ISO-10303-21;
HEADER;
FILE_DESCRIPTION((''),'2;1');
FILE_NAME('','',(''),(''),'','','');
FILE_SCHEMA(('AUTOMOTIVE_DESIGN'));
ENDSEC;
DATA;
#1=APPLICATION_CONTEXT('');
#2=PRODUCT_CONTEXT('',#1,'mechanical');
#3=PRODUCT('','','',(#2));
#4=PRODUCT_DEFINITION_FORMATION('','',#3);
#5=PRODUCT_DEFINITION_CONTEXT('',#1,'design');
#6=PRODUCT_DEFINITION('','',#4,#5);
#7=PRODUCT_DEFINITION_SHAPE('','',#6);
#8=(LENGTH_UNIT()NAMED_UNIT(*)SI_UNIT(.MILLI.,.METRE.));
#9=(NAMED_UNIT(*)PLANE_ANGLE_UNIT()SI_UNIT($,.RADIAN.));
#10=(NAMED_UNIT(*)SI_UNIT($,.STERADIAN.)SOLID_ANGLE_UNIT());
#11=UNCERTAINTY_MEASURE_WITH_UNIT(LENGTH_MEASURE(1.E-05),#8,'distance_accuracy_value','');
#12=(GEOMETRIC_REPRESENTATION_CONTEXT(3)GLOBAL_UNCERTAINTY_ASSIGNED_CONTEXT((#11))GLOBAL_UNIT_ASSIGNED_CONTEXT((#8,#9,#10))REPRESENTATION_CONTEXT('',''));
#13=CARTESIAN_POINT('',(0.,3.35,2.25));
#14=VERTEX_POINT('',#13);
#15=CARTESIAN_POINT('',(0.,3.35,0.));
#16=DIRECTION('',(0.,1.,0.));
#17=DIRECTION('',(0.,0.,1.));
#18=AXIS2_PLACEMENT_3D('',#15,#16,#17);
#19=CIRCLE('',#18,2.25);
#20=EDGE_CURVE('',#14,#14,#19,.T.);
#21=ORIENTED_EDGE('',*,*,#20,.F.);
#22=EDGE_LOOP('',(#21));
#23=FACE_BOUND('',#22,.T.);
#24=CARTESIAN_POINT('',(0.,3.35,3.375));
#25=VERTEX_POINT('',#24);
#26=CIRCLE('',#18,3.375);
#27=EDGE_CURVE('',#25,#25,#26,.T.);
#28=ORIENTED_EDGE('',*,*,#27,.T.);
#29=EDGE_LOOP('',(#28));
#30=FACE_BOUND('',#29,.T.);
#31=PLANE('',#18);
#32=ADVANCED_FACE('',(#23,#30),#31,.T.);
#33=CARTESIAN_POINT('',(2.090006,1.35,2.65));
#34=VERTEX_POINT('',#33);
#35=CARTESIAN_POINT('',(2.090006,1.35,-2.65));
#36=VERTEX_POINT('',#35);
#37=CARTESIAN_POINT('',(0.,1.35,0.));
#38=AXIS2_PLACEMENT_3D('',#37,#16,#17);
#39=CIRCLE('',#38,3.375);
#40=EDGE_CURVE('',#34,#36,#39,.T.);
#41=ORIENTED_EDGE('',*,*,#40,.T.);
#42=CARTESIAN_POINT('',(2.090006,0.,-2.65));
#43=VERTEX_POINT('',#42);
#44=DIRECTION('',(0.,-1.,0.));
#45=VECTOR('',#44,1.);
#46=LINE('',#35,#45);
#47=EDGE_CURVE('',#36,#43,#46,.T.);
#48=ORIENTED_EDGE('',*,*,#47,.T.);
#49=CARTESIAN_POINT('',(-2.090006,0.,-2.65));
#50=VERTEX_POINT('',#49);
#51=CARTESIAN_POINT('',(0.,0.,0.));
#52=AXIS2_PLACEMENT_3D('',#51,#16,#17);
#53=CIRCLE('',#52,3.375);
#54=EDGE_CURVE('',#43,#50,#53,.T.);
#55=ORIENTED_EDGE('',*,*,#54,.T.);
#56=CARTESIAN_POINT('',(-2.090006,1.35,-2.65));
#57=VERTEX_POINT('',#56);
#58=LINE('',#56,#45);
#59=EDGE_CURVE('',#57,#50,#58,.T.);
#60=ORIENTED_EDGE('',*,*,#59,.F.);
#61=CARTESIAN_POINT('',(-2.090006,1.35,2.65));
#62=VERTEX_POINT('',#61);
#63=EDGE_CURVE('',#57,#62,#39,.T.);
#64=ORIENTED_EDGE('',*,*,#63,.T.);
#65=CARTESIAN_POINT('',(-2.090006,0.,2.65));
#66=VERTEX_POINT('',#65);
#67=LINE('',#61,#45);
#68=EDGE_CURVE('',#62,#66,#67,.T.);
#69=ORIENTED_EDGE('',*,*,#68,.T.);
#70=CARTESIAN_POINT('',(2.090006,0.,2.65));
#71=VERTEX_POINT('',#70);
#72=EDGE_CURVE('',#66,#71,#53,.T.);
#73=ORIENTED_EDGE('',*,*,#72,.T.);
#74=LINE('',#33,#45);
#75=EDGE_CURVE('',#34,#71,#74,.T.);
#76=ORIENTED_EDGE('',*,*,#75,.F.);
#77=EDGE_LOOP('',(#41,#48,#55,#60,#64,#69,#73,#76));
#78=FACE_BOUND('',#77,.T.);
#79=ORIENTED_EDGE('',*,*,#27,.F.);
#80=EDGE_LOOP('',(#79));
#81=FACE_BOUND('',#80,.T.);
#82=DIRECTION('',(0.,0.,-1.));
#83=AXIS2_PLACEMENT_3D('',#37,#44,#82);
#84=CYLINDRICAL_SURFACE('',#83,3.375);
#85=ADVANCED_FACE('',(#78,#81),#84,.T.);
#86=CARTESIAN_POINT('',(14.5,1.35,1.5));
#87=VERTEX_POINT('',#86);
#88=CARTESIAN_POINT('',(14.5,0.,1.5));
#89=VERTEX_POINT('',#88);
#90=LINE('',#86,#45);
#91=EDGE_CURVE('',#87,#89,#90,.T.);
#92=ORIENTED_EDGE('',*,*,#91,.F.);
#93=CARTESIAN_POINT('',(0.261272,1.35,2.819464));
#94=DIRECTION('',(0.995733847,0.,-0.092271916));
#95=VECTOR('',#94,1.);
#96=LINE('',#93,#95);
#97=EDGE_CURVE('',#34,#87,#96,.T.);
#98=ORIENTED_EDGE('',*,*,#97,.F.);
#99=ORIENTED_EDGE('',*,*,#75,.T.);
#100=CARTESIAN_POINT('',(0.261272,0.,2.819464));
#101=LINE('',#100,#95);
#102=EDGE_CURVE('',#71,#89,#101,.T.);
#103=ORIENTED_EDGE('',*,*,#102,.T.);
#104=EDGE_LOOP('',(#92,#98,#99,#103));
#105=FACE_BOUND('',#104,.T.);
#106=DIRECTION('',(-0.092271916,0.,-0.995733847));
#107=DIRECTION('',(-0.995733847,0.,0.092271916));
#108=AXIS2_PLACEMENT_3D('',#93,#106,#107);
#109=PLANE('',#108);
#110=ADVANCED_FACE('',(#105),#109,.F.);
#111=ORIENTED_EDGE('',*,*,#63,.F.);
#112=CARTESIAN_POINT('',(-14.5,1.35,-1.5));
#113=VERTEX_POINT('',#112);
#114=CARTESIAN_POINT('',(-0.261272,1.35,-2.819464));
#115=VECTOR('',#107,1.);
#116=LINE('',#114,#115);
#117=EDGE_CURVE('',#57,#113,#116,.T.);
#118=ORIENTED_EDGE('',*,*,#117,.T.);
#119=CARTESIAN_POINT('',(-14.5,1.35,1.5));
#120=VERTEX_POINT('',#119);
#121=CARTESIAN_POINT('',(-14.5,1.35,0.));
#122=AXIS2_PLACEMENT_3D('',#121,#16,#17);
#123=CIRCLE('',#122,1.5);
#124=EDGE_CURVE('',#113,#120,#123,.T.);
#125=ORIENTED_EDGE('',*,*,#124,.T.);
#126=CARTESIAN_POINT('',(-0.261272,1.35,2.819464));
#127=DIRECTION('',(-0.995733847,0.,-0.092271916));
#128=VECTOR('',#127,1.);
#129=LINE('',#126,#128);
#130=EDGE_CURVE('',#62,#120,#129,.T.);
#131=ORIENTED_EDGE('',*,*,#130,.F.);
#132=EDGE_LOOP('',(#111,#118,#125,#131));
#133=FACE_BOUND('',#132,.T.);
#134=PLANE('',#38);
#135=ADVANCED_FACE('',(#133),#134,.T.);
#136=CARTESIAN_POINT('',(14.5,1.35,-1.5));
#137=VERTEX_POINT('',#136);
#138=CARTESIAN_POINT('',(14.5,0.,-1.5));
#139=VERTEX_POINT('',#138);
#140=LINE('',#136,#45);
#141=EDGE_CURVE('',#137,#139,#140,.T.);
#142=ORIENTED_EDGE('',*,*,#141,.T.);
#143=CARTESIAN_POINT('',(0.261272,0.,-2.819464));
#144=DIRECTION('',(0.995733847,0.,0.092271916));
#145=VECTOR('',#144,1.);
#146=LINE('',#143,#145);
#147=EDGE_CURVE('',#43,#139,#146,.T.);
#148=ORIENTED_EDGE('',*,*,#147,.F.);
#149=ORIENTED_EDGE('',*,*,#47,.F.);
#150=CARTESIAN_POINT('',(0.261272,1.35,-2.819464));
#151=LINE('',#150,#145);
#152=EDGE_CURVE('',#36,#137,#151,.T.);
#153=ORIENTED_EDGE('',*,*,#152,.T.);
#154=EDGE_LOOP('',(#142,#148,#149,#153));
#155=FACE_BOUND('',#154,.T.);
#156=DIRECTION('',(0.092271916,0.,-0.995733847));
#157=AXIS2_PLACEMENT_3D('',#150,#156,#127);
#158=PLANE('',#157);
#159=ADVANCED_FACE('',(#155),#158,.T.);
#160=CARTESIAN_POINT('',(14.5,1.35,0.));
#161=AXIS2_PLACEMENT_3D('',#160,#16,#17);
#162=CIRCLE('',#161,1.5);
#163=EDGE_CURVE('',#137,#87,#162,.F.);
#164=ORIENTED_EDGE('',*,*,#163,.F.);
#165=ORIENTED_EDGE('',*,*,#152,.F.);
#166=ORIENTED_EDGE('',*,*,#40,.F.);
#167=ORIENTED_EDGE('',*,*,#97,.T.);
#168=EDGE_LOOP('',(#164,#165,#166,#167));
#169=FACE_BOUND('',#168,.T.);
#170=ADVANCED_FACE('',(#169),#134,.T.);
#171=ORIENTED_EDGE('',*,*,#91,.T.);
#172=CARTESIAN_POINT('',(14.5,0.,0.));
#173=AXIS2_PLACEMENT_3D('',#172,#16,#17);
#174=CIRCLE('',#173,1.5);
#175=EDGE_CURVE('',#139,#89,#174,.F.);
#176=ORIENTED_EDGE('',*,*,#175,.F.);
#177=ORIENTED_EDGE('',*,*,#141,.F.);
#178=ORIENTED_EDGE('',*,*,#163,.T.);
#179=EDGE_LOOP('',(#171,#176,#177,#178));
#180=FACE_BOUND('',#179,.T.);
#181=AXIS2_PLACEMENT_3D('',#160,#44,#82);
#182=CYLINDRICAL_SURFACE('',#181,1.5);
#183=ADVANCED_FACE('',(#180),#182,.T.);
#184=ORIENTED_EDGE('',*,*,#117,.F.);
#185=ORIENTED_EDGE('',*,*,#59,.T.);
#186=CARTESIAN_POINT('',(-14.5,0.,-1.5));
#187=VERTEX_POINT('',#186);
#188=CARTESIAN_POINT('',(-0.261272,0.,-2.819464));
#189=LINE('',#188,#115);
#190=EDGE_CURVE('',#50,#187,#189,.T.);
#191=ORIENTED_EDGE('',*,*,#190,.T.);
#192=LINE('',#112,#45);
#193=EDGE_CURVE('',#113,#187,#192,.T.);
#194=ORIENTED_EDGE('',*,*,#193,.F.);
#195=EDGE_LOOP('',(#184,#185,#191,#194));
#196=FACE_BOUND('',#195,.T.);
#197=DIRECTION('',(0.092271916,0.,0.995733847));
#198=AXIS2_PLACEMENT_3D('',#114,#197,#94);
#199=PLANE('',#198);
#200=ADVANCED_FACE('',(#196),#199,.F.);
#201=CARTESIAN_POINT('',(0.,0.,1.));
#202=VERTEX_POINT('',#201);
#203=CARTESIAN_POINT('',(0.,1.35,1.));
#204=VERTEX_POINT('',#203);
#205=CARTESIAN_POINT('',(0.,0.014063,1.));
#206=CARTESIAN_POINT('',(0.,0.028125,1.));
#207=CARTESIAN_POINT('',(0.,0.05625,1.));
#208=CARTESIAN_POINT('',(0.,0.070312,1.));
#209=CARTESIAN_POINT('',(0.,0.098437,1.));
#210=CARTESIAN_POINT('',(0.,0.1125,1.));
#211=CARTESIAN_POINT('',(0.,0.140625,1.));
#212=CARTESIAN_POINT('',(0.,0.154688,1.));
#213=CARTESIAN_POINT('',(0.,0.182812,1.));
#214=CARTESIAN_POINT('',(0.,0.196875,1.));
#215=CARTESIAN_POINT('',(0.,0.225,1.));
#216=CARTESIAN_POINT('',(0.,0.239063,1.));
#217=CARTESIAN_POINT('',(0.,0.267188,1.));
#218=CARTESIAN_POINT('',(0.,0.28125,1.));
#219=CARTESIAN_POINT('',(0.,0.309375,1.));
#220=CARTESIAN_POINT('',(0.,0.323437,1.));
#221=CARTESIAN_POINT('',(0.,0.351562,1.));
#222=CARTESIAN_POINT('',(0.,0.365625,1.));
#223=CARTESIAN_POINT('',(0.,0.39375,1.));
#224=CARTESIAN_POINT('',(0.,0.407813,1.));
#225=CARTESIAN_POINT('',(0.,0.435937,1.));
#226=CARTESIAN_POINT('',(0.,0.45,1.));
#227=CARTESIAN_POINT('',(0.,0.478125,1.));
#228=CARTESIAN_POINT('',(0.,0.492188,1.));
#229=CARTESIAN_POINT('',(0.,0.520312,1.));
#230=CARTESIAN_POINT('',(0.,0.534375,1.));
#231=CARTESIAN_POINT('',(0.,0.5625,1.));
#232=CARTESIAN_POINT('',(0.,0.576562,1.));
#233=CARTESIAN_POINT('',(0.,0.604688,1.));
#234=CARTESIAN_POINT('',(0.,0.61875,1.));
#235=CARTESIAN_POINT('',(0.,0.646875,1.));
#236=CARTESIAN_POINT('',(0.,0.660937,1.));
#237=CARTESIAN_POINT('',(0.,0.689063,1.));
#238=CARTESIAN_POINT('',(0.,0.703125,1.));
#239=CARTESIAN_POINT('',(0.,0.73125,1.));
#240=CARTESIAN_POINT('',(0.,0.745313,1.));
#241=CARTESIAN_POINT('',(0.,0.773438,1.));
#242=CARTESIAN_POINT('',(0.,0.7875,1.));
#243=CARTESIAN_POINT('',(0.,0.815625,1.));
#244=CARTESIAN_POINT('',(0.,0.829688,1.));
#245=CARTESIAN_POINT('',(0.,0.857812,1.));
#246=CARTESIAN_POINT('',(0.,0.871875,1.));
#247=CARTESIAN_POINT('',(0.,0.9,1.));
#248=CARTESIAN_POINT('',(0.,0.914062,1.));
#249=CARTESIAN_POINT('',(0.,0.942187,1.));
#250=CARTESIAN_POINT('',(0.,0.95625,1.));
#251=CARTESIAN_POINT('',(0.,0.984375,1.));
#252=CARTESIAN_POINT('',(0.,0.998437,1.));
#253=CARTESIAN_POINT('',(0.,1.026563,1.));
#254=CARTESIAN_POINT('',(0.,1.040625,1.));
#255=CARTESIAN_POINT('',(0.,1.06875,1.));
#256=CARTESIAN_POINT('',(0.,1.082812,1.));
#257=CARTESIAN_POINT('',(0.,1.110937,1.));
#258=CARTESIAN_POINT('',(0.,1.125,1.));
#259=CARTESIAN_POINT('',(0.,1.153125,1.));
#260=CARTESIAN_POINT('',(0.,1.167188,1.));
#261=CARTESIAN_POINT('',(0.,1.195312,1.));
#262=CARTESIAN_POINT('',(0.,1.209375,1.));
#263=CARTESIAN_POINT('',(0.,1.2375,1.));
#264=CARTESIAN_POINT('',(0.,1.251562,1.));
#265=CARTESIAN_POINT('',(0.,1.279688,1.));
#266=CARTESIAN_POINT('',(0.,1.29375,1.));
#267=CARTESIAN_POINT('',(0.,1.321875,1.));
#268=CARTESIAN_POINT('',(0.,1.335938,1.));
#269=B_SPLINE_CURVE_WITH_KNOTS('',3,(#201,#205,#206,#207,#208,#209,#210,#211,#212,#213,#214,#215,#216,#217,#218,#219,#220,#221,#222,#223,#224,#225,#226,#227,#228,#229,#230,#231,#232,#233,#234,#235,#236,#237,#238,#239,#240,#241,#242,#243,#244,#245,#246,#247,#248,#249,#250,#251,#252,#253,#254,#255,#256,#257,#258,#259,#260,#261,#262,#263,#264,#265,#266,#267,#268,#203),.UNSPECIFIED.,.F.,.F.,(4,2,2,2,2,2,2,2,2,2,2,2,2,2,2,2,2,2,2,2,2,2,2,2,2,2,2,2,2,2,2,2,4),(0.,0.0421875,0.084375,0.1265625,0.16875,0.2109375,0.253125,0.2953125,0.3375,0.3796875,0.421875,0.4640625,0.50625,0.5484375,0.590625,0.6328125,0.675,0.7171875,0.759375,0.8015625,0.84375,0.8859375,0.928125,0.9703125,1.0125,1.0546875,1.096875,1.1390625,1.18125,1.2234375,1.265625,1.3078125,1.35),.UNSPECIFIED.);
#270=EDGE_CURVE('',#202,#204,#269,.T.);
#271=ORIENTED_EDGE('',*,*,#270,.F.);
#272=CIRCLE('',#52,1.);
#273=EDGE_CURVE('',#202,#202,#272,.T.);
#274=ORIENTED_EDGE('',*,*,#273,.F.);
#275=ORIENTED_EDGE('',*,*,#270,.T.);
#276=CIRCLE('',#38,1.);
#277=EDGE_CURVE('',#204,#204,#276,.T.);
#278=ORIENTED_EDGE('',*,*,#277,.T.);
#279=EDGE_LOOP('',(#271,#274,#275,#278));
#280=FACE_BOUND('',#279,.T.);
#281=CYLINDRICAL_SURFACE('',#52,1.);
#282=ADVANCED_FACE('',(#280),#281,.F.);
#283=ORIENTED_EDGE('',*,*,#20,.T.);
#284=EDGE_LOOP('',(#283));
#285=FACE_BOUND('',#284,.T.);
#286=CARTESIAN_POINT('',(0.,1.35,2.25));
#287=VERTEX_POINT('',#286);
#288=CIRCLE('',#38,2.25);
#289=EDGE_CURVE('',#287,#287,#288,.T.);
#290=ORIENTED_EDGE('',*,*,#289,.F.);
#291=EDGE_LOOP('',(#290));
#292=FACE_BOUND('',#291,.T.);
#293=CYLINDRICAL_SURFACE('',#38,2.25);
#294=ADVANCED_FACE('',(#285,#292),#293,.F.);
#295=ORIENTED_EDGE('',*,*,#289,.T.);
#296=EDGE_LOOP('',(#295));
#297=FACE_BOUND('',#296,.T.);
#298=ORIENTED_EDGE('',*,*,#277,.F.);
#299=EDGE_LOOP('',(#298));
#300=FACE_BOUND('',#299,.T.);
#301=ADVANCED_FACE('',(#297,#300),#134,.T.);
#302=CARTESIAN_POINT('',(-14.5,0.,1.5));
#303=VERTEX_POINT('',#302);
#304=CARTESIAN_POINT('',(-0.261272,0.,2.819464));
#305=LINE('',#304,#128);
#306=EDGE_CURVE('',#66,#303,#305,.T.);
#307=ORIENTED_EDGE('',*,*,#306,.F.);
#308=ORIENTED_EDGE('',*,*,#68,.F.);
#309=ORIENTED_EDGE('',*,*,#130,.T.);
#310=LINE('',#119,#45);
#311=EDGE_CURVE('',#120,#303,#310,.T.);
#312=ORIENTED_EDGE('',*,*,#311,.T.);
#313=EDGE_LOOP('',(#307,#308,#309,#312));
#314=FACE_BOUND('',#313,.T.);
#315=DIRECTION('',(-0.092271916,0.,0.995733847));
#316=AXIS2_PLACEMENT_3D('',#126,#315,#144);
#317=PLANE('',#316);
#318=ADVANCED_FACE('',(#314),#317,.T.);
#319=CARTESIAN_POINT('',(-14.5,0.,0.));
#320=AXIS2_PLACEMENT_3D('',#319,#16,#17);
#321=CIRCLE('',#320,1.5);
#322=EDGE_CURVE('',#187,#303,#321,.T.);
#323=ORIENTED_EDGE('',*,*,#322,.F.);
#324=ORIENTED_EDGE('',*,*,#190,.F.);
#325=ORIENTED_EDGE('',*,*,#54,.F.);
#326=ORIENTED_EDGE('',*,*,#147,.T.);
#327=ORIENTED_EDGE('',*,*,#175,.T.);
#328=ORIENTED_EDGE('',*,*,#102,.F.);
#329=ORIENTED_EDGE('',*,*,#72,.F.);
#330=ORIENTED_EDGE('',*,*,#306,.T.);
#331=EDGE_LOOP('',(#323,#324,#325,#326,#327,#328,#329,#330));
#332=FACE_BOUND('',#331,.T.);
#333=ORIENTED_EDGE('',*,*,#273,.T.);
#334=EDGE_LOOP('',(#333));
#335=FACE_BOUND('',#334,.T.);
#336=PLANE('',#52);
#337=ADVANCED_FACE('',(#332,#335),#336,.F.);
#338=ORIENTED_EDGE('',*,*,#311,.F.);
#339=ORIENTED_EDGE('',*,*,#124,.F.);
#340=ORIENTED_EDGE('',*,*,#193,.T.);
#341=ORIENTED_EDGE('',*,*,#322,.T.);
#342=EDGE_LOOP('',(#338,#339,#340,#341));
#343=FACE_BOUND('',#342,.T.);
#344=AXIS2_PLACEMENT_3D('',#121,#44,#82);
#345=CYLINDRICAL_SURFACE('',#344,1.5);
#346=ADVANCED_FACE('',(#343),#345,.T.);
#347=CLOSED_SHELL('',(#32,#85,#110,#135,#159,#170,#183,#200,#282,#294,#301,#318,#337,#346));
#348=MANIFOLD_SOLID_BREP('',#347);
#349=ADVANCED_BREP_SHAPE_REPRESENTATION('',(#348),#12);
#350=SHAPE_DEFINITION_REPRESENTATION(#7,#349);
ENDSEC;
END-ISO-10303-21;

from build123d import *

# Parameters (mm, degrees)
SCHIZZO1_R                   = 3.375
ESTRUSIONE_ESTRUSIONE1_DEPTH = 1.35
SCHIZZO2_R                   = 3.375
ESTRUSIONE_ESTRUSIONE2_DEPTH = 2
SCHIZZO3_R                   = 2.25
TAGLIO_ESTRUSIONE1_DEPTH     = 2
SCHIZZO4_R                   = 1
TAGLIO_ESTRUSIONE2_DEPTH     = 17.47393775


with BuildPart() as part:
    # Schizzo1 → Estrusione-Estrusione1 (new body)
    with BuildSketch(Plane(origin=(0, 0, 0), x_dir=(1, 0, 0), z_dir=(0, 1, 0))):
        Circle(SCHIZZO1_R)
        with BuildLine():
            Line((-2.090005981, 2.65), (-14.5, 1.5))
            ThreePointArc((-14.5, 1.5), (-16, 0), (-14.5, -1.5))
            Line((-14.5, -1.5), (-2.090005981, -2.65))
            Line((-2.090005981, -2.65), (-2.090005981, 2.65))
        make_face()
        with BuildLine():
            Line((2.090005981, 2.65), (2.090005981, -2.65))
            Line((2.090005981, -2.65), (14.5, -1.5))
            ThreePointArc((14.5, -1.5), (16, 0), (14.5, 1.5))
            Line((14.5, 1.5), (2.090005981, 2.65))
        make_face()
    extrude(amount=ESTRUSIONE_ESTRUSIONE1_DEPTH)

    # Schizzo2 → Estrusione-Estrusione2 (add)
    with BuildSketch(Plane(origin=(0, 1.35, 0), x_dir=(1, 0, 0), z_dir=(0, 1, 0))):
        with Locations(Location((0, 0, 0), (0, 0, 128.262191128))):
            Circle(SCHIZZO2_R)
    extrude(amount=ESTRUSIONE_ESTRUSIONE2_DEPTH)

    # Schizzo3 → Taglio-Estrusione1 (cut)
    with BuildSketch(Plane(origin=(0, 3.35, 0), x_dir=(1, 0, 0), z_dir=(0, 1, 0))):
        with Locations(Location((0, 0, 0), (0, 0, 270))):
            Circle(SCHIZZO3_R)
    extrude(amount=-TAGLIO_ESTRUSIONE1_DEPTH, mode=Mode.SUBTRACT)

    # Schizzo4 → Taglio-Estrusione2 (cut, through all)
    with BuildSketch(Plane(origin=(0, 1.35, 0), x_dir=(1, 0, 0), z_dir=(0, 1, 0))):
        with Locations(Location((0, 0, 0), (0, 0, 270))):
            Circle(SCHIZZO4_R)
    extrude(amount=-TAGLIO_ESTRUSIONE2_DEPTH, mode=Mode.SUBTRACT)


solid = part.part
